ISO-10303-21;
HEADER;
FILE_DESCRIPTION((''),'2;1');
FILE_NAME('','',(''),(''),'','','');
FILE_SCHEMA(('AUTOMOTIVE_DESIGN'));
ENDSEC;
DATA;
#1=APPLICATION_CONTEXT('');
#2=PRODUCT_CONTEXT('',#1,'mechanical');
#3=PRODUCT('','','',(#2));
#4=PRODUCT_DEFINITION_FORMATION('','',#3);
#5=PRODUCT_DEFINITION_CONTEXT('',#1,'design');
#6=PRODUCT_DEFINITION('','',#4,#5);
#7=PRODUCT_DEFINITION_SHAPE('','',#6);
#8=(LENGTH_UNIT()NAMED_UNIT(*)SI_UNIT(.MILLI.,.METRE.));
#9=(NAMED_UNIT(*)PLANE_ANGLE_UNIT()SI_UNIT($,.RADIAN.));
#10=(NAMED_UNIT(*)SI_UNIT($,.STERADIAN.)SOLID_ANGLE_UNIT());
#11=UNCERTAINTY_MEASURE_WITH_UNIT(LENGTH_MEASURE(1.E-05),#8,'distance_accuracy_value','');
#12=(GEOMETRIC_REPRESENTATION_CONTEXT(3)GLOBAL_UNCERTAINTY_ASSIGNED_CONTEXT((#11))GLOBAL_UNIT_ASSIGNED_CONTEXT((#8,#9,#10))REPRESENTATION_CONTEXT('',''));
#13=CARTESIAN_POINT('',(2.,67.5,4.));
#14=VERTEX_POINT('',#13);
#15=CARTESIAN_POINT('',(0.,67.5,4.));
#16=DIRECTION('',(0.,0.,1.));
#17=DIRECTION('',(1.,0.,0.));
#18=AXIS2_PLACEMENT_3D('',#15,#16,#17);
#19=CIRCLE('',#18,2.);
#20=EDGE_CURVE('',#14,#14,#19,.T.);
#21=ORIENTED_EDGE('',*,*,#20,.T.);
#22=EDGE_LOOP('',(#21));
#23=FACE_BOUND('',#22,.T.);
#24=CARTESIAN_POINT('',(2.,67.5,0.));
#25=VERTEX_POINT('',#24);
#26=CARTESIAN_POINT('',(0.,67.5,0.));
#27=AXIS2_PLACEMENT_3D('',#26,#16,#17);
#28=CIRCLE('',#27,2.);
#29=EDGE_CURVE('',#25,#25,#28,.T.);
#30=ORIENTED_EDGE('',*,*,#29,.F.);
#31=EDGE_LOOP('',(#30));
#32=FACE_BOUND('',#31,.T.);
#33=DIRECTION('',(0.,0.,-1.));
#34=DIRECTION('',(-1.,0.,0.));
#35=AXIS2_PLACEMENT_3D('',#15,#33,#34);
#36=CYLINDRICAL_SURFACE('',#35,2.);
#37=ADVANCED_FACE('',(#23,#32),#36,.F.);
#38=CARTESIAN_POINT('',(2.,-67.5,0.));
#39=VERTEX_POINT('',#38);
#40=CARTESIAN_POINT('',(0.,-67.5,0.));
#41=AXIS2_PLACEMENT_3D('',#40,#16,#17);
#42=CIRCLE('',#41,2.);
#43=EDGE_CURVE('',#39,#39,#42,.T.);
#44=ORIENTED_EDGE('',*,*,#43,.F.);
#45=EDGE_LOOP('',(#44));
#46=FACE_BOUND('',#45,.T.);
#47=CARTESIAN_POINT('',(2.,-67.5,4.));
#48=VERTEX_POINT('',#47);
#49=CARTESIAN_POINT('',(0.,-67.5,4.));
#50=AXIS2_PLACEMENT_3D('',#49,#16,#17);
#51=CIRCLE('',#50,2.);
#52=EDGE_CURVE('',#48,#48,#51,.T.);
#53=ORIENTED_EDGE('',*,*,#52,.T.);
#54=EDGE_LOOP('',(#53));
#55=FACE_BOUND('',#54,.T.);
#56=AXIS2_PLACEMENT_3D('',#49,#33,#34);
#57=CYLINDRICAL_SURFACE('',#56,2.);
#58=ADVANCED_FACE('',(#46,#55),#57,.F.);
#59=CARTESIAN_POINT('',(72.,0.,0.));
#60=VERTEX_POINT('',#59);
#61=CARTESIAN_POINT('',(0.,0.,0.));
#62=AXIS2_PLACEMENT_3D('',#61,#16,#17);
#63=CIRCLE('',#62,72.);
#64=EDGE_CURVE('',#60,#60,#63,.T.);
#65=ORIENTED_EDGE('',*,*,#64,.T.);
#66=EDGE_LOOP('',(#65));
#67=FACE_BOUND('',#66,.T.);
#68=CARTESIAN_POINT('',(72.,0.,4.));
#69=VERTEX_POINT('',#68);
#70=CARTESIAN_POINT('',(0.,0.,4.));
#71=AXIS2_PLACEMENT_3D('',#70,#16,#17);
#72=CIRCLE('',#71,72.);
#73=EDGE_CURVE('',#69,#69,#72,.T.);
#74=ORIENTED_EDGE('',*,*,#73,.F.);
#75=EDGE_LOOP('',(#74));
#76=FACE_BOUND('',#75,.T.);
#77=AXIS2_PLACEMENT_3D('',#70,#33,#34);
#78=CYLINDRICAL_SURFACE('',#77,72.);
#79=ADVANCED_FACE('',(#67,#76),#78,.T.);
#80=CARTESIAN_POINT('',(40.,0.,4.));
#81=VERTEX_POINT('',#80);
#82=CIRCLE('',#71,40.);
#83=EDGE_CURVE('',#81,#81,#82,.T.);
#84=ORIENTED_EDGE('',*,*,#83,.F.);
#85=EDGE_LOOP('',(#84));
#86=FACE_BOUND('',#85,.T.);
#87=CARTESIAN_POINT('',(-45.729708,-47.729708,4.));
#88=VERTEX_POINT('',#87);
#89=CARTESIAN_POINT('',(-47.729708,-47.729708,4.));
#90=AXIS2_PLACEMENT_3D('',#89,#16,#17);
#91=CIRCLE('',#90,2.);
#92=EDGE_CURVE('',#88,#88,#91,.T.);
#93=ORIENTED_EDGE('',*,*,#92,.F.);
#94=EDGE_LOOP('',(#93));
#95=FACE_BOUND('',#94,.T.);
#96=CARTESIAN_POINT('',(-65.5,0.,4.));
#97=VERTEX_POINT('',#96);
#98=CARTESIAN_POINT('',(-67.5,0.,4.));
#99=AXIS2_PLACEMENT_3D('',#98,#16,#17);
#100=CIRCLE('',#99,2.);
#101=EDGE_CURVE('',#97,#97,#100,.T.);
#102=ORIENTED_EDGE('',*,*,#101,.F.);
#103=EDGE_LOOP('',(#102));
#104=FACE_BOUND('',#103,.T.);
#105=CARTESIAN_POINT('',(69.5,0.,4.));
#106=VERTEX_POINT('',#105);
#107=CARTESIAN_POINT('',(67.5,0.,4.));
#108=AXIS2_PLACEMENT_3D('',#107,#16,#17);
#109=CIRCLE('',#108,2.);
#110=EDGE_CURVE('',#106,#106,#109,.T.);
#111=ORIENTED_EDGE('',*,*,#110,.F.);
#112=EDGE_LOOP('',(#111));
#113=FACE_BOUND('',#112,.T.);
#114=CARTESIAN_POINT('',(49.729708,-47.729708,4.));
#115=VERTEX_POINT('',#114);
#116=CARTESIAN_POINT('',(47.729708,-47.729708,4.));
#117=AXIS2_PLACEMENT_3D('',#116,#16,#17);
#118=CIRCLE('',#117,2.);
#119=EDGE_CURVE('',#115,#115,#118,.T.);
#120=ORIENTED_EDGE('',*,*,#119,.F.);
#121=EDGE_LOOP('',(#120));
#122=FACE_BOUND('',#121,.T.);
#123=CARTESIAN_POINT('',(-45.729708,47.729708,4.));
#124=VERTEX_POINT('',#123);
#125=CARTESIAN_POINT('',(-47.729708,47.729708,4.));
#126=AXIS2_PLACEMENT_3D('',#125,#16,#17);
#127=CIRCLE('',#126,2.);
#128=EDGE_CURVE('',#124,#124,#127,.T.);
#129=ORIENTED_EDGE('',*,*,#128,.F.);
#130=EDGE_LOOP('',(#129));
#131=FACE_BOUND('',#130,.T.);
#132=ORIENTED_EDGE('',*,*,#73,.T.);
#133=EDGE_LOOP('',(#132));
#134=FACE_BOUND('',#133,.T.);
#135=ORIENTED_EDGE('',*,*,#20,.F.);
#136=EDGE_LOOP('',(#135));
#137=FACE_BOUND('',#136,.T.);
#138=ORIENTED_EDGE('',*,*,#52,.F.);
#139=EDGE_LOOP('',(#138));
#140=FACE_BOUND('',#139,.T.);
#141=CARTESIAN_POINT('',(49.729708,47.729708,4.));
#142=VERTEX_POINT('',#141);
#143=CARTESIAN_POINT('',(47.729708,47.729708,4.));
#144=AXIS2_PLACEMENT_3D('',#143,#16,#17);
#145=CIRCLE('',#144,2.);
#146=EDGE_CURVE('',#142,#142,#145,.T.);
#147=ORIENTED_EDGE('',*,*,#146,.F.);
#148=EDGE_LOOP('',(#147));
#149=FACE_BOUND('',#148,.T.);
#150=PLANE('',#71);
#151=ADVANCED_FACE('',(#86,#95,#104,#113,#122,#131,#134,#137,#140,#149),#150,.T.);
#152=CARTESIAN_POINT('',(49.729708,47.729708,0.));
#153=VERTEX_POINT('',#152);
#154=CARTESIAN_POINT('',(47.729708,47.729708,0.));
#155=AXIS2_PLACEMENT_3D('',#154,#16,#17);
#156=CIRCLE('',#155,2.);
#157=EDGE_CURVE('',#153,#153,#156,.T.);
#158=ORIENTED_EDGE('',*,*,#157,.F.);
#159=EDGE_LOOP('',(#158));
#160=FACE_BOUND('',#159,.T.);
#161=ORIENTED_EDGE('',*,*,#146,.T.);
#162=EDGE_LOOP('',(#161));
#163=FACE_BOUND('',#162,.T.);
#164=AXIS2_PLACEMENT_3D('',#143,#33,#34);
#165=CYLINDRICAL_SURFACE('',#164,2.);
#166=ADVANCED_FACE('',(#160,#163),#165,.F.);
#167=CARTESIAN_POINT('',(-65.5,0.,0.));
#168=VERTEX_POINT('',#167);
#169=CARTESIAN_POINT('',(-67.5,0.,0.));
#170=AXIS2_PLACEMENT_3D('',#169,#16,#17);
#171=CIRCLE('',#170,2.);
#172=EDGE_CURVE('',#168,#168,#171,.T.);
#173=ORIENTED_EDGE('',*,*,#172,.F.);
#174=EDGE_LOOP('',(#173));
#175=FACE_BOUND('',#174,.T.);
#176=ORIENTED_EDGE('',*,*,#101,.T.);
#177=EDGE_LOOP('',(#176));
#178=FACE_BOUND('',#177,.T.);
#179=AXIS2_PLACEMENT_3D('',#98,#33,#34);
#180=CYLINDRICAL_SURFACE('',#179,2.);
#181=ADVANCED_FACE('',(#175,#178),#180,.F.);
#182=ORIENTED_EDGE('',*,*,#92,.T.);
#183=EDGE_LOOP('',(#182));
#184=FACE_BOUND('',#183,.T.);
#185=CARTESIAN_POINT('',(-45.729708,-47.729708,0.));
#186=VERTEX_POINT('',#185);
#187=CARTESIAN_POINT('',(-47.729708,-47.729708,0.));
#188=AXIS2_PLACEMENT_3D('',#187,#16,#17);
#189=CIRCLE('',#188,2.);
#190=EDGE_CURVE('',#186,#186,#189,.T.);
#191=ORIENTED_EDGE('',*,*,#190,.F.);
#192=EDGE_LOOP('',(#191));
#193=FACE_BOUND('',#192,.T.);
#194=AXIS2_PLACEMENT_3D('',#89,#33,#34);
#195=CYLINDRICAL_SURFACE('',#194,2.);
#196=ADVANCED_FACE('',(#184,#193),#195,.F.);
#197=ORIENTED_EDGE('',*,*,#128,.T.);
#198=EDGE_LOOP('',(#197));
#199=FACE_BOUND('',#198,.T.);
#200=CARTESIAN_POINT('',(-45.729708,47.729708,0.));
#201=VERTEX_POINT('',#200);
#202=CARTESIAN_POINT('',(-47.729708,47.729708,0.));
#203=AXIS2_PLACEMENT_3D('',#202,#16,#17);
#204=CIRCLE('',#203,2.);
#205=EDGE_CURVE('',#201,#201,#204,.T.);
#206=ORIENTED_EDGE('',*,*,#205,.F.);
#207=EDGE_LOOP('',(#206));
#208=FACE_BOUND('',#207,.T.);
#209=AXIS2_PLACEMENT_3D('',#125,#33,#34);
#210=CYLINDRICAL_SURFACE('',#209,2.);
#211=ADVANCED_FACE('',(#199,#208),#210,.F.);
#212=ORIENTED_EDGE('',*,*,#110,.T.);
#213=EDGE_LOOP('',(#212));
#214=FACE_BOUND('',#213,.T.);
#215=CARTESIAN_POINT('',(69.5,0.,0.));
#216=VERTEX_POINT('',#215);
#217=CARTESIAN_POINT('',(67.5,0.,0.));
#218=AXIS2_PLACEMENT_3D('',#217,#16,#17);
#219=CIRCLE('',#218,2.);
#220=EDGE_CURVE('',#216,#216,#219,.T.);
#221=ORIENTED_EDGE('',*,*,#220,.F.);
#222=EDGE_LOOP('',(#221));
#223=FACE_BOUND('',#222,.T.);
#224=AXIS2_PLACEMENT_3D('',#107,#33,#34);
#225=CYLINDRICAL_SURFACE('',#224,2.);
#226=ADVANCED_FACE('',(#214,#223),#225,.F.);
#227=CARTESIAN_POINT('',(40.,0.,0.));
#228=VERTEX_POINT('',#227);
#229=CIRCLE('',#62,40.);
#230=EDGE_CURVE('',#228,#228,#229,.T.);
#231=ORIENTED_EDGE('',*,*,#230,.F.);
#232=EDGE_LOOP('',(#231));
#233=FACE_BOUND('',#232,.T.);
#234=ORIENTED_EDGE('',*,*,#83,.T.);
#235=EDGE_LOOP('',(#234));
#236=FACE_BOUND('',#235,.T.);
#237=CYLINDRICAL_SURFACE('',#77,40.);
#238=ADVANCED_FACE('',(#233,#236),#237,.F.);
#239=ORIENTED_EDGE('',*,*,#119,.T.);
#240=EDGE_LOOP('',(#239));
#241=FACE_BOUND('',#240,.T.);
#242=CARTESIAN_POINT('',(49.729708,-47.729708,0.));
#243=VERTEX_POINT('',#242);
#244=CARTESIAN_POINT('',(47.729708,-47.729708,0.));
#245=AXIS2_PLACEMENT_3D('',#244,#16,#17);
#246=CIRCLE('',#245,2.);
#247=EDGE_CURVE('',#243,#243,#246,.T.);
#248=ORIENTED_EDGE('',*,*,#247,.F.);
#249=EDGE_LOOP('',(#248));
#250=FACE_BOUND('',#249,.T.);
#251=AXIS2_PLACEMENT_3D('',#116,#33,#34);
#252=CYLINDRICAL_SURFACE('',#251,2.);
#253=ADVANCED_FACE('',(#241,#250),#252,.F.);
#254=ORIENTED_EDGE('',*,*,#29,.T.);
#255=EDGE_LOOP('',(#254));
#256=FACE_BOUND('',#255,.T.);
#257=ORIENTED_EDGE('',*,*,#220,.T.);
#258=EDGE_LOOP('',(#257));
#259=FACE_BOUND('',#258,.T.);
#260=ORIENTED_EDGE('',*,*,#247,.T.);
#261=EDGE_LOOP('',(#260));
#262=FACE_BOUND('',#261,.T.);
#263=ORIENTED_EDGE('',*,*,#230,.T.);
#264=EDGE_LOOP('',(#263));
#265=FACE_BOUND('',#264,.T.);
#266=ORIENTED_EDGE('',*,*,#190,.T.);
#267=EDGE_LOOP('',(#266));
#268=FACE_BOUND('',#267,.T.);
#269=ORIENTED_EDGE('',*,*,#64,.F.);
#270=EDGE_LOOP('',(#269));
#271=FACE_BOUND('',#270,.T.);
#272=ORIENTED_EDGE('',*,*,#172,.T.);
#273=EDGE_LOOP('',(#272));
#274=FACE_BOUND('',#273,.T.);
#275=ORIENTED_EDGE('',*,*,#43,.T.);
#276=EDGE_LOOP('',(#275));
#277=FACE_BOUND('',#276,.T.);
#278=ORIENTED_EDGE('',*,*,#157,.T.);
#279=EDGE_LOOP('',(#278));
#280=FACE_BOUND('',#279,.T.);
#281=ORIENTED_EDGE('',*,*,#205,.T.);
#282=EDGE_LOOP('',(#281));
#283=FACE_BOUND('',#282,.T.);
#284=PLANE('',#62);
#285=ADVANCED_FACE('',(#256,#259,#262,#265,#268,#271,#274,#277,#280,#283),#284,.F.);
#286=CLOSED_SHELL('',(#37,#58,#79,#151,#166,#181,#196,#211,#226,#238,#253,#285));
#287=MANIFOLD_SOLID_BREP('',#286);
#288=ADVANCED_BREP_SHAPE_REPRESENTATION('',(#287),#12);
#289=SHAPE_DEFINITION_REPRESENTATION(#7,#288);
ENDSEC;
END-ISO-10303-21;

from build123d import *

# Parameters (mm, degrees)
SKETCH_1_R      = 72
SKETCH_1_R_2    = 40
SKETCH_1_R_3    = 2
EXTRUDE_1_DEPTH = 4


with BuildPart() as part:
    # 草图1 → 凸台-拉伸1 (new body)
    with BuildSketch(Plane.XY):
        Circle(SKETCH_1_R)
        Circle(SKETCH_1_R_2, mode=Mode.SUBTRACT)
        with Locations((0, -67.5)):
            Circle(SKETCH_1_R_3, mode=Mode.SUBTRACT)
        with Locations((-47.72970773, -47.72970773)):
            Circle(SKETCH_1_R_3, mode=Mode.SUBTRACT)
        with Locations((-67.5, 0)):
            Circle(SKETCH_1_R_3, mode=Mode.SUBTRACT)
        with Locations((-47.72970773, 47.72970773)):
            Circle(SKETCH_1_R_3, mode=Mode.SUBTRACT)
        with Locations((0, 67.5)):
            Circle(SKETCH_1_R_3, mode=Mode.SUBTRACT)
        with Locations((47.72970773, 47.72970773)):
            Circle(SKETCH_1_R_3, mode=Mode.SUBTRACT)
        with Locations((67.5, 0)):
            Circle(SKETCH_1_R_3, mode=Mode.SUBTRACT)
        with Locations((47.72970773, -47.72970773)):
            Circle(SKETCH_1_R_3, mode=Mode.SUBTRACT)
    extrude(amount=EXTRUDE_1_DEPTH)


solid = part.part
